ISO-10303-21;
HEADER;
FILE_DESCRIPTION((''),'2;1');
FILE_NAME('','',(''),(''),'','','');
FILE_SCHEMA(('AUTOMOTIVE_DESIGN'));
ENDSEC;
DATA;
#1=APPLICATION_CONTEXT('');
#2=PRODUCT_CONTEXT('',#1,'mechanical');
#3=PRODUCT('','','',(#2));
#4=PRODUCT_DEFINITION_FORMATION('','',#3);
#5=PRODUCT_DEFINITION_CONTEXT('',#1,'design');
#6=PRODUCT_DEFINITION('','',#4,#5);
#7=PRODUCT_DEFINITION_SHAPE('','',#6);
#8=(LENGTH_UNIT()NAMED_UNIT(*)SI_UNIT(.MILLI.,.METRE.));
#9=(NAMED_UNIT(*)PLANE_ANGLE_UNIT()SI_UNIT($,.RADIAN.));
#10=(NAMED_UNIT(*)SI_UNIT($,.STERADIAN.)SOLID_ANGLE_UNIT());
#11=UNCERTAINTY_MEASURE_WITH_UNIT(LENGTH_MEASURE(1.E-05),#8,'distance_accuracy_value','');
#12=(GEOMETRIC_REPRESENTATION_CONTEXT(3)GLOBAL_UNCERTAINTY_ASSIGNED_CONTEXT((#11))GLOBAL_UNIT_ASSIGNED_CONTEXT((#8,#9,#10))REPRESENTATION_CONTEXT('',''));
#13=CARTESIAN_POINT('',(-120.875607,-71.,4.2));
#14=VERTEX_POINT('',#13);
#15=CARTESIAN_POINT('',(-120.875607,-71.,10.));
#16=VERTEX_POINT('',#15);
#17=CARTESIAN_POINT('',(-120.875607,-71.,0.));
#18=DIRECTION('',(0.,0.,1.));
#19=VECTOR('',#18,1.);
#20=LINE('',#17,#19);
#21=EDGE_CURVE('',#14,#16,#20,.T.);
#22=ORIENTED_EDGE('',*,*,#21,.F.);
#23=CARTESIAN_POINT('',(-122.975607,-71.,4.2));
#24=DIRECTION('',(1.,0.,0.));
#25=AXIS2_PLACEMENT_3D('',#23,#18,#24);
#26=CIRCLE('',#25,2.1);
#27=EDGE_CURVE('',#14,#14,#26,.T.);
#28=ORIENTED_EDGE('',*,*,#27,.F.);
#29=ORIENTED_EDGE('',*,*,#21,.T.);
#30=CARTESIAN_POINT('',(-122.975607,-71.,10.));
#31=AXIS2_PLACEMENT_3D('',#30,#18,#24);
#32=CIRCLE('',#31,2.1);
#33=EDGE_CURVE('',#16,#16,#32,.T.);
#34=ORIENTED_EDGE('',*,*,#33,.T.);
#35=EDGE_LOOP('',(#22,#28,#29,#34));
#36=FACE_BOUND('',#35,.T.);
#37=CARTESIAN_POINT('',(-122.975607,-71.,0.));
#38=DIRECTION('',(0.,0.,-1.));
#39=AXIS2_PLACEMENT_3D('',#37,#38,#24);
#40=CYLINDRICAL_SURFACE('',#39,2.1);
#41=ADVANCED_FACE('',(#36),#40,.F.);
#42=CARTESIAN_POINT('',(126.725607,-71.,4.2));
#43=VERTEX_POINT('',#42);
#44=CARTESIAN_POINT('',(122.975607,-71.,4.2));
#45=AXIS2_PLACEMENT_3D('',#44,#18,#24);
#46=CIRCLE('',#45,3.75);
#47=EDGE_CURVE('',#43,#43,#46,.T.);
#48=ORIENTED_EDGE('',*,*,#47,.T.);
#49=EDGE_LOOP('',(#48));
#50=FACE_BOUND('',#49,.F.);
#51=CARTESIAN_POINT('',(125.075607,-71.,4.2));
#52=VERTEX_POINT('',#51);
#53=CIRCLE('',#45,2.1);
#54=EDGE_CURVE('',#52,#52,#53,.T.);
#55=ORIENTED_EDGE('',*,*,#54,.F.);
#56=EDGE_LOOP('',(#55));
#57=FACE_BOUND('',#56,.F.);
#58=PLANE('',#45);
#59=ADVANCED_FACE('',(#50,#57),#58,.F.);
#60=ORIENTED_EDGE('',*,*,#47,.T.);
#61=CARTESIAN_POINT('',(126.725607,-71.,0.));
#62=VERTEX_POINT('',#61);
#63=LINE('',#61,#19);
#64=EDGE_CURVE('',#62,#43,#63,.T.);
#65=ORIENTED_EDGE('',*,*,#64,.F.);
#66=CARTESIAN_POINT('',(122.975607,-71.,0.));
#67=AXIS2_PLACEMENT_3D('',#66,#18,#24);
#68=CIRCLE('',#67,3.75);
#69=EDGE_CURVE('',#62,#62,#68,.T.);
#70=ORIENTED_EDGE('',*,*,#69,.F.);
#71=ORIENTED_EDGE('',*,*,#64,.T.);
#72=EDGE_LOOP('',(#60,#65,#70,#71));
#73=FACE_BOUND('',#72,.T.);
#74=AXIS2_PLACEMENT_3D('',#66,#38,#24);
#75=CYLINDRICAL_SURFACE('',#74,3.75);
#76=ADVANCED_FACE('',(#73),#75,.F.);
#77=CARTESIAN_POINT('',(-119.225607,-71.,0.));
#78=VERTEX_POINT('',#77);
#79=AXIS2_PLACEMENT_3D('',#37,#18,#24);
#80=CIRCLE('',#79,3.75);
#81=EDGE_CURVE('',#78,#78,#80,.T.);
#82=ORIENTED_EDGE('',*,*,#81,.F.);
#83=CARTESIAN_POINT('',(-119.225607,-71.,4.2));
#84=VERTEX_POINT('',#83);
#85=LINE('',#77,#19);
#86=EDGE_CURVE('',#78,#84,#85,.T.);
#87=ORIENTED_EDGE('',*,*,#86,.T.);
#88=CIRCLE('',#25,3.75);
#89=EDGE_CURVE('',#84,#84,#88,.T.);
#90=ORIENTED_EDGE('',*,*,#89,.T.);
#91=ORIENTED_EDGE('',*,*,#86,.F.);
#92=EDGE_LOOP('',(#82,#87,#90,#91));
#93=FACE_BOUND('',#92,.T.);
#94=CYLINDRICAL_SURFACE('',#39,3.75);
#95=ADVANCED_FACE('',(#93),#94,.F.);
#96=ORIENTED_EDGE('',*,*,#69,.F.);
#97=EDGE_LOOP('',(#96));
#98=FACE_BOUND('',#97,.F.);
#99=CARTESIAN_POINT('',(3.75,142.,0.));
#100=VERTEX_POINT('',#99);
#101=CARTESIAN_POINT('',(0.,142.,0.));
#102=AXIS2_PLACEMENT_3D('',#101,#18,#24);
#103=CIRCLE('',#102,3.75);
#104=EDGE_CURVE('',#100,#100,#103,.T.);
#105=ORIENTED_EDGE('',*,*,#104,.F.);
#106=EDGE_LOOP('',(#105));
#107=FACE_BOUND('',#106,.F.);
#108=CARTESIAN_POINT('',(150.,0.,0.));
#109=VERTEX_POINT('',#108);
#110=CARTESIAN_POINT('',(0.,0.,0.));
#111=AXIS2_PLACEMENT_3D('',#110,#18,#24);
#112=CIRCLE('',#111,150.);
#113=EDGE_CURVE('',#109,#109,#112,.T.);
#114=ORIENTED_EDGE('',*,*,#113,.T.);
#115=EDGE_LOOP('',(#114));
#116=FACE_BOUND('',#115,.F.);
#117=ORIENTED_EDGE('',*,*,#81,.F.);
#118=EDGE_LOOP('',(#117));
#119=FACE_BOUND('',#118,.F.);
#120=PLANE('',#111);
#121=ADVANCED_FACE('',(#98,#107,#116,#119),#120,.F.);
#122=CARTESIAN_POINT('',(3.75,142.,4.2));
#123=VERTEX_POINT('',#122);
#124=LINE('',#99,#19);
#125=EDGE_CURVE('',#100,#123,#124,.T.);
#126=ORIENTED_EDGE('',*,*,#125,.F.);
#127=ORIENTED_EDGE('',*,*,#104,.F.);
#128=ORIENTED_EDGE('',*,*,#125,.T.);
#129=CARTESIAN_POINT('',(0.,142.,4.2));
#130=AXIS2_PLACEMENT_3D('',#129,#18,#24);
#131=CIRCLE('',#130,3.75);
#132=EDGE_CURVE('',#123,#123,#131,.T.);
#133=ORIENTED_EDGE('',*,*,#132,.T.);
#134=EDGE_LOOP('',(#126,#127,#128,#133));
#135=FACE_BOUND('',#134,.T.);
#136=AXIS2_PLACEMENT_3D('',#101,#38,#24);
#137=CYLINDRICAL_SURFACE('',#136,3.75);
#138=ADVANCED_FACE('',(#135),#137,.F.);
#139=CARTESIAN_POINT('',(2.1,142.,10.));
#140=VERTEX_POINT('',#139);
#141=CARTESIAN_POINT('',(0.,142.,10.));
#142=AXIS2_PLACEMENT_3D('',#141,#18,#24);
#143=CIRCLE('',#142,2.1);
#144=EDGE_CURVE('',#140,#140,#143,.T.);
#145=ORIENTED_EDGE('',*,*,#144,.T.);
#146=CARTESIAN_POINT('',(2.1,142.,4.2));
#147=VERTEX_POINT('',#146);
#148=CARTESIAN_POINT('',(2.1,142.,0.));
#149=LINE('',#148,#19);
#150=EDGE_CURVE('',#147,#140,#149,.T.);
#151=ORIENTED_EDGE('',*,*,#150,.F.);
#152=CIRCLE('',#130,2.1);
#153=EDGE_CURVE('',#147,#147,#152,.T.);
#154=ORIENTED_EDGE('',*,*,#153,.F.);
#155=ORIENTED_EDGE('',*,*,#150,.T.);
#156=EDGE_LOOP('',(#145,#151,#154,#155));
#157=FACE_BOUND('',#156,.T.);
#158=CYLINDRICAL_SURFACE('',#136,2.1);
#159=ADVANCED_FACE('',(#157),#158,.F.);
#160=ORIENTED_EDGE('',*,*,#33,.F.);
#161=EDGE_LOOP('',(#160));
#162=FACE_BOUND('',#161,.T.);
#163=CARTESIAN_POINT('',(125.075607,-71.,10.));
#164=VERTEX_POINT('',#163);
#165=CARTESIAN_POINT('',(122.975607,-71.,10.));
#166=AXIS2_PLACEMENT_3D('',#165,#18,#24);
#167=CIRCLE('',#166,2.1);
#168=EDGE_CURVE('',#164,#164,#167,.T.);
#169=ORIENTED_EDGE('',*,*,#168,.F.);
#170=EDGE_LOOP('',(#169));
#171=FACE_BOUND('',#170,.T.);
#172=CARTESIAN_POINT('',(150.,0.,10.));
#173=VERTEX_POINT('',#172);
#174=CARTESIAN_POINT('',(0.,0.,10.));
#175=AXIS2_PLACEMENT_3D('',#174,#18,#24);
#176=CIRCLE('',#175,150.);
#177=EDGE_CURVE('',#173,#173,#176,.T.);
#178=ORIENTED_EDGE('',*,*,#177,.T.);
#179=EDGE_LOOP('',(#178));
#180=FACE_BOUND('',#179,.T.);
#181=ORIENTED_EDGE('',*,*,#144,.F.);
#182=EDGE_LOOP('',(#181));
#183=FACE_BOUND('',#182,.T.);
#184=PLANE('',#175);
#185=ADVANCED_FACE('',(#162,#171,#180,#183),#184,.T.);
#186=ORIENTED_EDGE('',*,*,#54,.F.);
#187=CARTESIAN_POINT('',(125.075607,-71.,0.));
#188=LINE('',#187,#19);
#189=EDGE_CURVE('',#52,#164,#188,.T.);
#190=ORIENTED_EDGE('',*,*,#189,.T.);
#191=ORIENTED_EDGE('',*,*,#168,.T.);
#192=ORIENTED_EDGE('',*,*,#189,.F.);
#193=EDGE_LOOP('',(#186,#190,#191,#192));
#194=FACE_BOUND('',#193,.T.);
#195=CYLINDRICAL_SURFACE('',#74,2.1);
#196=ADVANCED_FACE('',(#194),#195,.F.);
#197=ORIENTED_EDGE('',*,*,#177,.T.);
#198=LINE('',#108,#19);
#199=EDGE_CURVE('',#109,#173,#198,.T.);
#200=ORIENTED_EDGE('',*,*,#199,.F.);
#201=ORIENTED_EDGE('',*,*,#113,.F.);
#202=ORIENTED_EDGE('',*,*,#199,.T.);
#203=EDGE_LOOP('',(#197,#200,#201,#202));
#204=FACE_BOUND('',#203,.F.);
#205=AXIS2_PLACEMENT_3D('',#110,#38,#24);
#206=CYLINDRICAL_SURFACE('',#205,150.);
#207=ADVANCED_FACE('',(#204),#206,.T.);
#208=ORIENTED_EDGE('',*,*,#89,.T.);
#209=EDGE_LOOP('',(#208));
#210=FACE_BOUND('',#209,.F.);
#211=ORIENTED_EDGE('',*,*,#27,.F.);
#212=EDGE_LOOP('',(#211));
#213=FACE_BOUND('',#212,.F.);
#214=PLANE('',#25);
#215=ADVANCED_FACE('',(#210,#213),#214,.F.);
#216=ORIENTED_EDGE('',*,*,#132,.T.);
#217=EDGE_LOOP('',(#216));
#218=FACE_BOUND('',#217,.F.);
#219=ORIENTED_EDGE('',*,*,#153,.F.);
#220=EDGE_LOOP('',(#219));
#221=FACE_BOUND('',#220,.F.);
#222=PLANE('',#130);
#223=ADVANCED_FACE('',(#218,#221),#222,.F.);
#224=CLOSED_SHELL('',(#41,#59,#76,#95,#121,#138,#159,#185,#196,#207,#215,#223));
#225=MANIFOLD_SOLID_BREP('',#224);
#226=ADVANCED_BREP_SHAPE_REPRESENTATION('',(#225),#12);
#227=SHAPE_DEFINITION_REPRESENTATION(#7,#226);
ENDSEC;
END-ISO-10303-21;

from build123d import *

# Parameters (mm, degrees)
F0_R     = 150
F0_R_2   = 3.75
F0_R_3   = 2.1
F1_DEPTH = 10
F2_DEPTH = 4.2


with BuildPart() as f1:
    # F0 (on Top) → F1 (new body)
    with BuildSketch(Plane.XY):
        Circle(F0_R)
        with Locations((-122.975607, -71)):
            Circle(F0_R_2, mode=Mode.SUBTRACT)
        with Locations((122.975607, -71)):
            Circle(F0_R_2, mode=Mode.SUBTRACT)
        with Locations((0, 142)):
            Circle(F0_R_2, mode=Mode.SUBTRACT)
        with Locations((0, 142)):
            Circle(F0_R_2)
        with Locations((0, 142)):
            Circle(F0_R_3, mode=Mode.SUBTRACT)
        with Locations((122.975607, -71)):
            Circle(F0_R_2)
        with Locations((122.975607, -71)):
            Circle(F0_R_3, mode=Mode.SUBTRACT)
        with Locations((-122.975607, -71)):
            Circle(F0_R_2)
        with Locations((-122.975607, -71)):
            Circle(F0_R_3, mode=Mode.SUBTRACT)
    extrude(amount=F1_DEPTH)

    # F0 (on Top) → F2 (cut)
    with BuildSketch(Plane.XY):
        with Locations((-122.975607, -71)):
            Circle(F0_R_2)
        with Locations((-122.975607, -71)):
            Circle(F0_R_3, mode=Mode.SUBTRACT)
        with Locations((122.975607, -71)):
            Circle(F0_R_2)
        with Locations((122.975607, -71)):
            Circle(F0_R_3, mode=Mode.SUBTRACT)
        with Locations((0, 142)):
            Circle(F0_R_2)
        with Locations((0, 142)):
            Circle(F0_R_3, mode=Mode.SUBTRACT)
    extrude(amount=F2_DEPTH, mode=Mode.SUBTRACT)


solid = f1.part
